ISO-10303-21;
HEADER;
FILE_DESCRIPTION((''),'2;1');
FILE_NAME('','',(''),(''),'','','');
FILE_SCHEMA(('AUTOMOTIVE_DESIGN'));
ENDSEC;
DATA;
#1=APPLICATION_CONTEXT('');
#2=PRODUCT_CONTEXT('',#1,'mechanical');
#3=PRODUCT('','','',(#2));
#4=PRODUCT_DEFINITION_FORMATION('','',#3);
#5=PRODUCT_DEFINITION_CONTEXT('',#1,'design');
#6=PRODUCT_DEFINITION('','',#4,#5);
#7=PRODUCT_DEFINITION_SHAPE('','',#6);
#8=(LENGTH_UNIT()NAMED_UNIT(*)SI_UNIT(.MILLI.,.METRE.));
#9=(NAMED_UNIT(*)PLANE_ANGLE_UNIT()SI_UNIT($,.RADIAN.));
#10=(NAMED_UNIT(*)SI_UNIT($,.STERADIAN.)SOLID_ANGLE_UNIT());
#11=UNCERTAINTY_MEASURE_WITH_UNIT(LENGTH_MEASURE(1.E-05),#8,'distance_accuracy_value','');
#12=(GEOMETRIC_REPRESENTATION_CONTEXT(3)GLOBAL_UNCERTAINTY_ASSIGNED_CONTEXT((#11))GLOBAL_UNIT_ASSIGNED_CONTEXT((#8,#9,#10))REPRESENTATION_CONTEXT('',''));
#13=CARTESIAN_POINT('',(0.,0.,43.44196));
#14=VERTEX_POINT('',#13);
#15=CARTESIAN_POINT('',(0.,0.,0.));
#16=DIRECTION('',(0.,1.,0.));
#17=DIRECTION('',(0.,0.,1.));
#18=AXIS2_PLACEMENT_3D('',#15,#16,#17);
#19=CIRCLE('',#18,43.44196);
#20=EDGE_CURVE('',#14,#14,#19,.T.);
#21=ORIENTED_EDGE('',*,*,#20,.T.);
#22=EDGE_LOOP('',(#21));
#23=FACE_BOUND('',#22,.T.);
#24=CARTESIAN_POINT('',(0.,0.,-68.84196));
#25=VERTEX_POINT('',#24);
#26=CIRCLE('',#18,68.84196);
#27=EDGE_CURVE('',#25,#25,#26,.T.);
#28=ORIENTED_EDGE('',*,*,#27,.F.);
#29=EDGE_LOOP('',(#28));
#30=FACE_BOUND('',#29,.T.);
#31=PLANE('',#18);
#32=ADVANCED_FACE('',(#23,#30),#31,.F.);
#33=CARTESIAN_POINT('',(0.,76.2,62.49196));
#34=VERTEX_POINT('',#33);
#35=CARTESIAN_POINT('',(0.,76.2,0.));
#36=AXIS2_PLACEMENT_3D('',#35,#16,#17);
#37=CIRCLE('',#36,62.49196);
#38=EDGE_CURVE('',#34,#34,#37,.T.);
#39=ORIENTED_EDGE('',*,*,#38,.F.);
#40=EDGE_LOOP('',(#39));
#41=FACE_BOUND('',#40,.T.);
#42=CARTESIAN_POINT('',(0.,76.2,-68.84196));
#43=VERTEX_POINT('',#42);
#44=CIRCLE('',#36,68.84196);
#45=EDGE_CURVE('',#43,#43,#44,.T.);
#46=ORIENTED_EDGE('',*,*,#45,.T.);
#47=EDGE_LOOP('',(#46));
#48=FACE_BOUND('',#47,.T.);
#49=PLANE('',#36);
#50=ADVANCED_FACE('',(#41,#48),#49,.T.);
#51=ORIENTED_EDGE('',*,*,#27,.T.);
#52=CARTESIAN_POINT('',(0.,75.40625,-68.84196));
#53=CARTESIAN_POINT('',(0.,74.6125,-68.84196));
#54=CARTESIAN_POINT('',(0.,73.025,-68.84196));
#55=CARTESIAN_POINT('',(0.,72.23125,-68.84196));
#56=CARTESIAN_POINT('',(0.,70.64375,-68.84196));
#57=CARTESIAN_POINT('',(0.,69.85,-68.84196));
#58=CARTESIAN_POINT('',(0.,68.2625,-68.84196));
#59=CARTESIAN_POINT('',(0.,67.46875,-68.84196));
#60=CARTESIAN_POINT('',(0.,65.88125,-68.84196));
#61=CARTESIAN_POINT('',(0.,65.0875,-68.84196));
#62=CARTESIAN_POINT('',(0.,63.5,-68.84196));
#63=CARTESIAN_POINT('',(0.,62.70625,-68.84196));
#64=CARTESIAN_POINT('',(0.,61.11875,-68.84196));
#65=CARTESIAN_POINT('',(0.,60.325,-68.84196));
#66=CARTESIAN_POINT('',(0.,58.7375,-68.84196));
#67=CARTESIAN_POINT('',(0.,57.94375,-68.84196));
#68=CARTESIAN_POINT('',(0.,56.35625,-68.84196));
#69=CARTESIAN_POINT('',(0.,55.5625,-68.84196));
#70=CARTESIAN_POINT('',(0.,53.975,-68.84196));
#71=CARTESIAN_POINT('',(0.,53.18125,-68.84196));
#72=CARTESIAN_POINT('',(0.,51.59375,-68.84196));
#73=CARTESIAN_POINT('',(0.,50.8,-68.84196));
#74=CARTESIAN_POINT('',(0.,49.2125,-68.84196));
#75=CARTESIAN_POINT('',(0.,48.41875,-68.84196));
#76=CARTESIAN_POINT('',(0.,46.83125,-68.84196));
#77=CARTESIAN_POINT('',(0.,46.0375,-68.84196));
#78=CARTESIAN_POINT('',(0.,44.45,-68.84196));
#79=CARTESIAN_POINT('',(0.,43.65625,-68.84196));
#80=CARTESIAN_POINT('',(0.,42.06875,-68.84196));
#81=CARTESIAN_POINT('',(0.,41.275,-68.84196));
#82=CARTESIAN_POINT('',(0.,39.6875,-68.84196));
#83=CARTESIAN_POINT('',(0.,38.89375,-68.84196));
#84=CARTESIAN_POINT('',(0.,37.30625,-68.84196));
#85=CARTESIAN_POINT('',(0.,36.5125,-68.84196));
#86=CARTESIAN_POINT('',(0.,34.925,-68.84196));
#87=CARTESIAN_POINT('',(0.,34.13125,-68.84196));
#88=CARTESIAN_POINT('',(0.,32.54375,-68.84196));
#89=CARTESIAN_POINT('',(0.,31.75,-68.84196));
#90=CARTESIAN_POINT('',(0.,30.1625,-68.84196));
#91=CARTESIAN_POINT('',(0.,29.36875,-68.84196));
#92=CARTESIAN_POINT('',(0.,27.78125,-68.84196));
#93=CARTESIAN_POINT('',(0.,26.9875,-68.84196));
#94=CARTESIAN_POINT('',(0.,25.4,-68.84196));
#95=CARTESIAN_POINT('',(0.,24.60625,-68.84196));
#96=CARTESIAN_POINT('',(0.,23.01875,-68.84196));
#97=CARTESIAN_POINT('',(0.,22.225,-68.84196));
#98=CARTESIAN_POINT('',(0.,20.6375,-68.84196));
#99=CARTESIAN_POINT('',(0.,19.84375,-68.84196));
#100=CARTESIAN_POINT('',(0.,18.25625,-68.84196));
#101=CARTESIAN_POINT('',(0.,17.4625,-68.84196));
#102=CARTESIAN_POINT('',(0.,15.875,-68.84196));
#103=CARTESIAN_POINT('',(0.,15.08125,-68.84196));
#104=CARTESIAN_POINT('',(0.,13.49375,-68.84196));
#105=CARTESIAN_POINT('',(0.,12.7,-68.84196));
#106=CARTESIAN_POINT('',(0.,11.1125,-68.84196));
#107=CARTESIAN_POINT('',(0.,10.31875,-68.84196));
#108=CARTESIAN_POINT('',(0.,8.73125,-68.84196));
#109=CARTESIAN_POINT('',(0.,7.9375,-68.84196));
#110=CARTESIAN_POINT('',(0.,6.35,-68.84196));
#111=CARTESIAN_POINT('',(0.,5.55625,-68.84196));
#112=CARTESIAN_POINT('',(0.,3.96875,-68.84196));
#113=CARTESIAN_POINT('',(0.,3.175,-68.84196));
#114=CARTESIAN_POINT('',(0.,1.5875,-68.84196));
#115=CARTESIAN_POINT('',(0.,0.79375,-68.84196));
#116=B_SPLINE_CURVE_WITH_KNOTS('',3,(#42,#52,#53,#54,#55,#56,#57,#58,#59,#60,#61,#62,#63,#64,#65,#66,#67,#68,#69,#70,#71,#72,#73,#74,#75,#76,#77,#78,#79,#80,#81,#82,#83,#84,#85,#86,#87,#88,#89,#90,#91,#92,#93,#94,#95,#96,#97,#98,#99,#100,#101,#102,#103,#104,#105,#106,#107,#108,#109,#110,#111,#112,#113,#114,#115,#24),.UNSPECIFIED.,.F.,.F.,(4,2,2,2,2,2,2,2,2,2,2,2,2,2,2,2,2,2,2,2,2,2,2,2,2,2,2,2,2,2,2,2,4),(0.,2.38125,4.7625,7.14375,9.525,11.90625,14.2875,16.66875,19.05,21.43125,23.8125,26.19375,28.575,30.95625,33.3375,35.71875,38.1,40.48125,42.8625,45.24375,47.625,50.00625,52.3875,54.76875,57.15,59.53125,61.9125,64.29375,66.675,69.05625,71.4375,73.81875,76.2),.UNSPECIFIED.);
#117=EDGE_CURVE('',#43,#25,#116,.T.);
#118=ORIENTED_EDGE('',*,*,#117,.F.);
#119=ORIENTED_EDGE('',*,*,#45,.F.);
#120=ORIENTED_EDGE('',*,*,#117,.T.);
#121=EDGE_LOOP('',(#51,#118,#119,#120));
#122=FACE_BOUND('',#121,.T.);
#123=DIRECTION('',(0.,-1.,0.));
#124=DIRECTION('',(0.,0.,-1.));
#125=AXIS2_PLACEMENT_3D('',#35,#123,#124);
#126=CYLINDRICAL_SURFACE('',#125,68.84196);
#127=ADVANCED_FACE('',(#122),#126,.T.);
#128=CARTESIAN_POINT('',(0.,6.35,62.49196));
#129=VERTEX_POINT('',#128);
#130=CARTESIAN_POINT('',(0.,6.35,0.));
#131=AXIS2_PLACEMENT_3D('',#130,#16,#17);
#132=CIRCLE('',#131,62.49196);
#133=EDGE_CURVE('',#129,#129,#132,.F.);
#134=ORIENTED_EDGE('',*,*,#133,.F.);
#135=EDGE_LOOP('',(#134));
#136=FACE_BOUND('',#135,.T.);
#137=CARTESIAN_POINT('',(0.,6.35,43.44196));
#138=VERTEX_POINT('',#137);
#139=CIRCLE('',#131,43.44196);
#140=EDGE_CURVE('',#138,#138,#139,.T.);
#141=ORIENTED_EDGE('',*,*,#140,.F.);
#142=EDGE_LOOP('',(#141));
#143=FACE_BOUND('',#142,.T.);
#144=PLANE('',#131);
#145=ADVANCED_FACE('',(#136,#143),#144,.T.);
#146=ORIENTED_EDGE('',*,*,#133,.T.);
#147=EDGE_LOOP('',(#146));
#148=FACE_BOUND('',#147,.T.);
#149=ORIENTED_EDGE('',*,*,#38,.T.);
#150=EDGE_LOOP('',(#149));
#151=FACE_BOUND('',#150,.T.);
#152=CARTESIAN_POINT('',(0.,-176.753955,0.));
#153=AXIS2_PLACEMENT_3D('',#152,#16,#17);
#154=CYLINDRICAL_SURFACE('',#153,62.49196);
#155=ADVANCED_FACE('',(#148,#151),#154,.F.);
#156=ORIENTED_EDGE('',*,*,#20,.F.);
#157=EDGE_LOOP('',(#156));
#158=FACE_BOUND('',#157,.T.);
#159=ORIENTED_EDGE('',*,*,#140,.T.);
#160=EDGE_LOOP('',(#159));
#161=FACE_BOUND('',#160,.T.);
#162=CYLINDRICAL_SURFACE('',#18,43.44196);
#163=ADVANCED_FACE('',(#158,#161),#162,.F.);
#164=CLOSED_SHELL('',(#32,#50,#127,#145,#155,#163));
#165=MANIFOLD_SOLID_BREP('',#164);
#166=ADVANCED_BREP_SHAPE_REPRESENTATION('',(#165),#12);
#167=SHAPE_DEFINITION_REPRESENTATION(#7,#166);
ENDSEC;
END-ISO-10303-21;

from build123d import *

# Parameters (mm, degrees)
SKETCH1_R           = 68.84196009
BOSS_EXTRUDE1_DEPTH = 76.2
SKETCH2_R           = 62.49196009
CUT_EXTRUDE1_DEPTH  = 69.85
SKETCH3_R           = 43.44196009
CUT_EXTRUDE2_DEPTH  = 120.822591517


with BuildPart() as part:
    # Sketch1 → Boss-Extrude1 (new body)
    with BuildSketch(Plane(origin=(0, 0, 0), x_dir=(1, 0, 0), z_dir=(0, 1, 0))):
        with Locations(Location((0, 0, 0), (0, 0, 90))):
            Circle(SKETCH1_R)
    extrude(amount=BOSS_EXTRUDE1_DEPTH)

    # Sketch2 → Cut-Extrude1 (cut)
    with BuildSketch(Plane(origin=(0, 76.2, 0), x_dir=(1, 0, 0), z_dir=(0, 1, 0))):
        with Locations(Location((0, 0, 0), (0, 0, 270))):
            Circle(SKETCH2_R)
    extrude(amount=-CUT_EXTRUDE1_DEPTH, mode=Mode.SUBTRACT)

    # Sketch3 → Cut-Extrude2 (cut, through all)
    with BuildSketch(Plane(origin=(0, 6.35, 0), x_dir=(1, 0, 0), z_dir=(0, 1, 0))):
        with Locations(Location((0, 0, 0), (0, 0, 270))):
            Circle(SKETCH3_R)
    extrude(amount=-CUT_EXTRUDE2_DEPTH, mode=Mode.SUBTRACT)


solid = part.part
